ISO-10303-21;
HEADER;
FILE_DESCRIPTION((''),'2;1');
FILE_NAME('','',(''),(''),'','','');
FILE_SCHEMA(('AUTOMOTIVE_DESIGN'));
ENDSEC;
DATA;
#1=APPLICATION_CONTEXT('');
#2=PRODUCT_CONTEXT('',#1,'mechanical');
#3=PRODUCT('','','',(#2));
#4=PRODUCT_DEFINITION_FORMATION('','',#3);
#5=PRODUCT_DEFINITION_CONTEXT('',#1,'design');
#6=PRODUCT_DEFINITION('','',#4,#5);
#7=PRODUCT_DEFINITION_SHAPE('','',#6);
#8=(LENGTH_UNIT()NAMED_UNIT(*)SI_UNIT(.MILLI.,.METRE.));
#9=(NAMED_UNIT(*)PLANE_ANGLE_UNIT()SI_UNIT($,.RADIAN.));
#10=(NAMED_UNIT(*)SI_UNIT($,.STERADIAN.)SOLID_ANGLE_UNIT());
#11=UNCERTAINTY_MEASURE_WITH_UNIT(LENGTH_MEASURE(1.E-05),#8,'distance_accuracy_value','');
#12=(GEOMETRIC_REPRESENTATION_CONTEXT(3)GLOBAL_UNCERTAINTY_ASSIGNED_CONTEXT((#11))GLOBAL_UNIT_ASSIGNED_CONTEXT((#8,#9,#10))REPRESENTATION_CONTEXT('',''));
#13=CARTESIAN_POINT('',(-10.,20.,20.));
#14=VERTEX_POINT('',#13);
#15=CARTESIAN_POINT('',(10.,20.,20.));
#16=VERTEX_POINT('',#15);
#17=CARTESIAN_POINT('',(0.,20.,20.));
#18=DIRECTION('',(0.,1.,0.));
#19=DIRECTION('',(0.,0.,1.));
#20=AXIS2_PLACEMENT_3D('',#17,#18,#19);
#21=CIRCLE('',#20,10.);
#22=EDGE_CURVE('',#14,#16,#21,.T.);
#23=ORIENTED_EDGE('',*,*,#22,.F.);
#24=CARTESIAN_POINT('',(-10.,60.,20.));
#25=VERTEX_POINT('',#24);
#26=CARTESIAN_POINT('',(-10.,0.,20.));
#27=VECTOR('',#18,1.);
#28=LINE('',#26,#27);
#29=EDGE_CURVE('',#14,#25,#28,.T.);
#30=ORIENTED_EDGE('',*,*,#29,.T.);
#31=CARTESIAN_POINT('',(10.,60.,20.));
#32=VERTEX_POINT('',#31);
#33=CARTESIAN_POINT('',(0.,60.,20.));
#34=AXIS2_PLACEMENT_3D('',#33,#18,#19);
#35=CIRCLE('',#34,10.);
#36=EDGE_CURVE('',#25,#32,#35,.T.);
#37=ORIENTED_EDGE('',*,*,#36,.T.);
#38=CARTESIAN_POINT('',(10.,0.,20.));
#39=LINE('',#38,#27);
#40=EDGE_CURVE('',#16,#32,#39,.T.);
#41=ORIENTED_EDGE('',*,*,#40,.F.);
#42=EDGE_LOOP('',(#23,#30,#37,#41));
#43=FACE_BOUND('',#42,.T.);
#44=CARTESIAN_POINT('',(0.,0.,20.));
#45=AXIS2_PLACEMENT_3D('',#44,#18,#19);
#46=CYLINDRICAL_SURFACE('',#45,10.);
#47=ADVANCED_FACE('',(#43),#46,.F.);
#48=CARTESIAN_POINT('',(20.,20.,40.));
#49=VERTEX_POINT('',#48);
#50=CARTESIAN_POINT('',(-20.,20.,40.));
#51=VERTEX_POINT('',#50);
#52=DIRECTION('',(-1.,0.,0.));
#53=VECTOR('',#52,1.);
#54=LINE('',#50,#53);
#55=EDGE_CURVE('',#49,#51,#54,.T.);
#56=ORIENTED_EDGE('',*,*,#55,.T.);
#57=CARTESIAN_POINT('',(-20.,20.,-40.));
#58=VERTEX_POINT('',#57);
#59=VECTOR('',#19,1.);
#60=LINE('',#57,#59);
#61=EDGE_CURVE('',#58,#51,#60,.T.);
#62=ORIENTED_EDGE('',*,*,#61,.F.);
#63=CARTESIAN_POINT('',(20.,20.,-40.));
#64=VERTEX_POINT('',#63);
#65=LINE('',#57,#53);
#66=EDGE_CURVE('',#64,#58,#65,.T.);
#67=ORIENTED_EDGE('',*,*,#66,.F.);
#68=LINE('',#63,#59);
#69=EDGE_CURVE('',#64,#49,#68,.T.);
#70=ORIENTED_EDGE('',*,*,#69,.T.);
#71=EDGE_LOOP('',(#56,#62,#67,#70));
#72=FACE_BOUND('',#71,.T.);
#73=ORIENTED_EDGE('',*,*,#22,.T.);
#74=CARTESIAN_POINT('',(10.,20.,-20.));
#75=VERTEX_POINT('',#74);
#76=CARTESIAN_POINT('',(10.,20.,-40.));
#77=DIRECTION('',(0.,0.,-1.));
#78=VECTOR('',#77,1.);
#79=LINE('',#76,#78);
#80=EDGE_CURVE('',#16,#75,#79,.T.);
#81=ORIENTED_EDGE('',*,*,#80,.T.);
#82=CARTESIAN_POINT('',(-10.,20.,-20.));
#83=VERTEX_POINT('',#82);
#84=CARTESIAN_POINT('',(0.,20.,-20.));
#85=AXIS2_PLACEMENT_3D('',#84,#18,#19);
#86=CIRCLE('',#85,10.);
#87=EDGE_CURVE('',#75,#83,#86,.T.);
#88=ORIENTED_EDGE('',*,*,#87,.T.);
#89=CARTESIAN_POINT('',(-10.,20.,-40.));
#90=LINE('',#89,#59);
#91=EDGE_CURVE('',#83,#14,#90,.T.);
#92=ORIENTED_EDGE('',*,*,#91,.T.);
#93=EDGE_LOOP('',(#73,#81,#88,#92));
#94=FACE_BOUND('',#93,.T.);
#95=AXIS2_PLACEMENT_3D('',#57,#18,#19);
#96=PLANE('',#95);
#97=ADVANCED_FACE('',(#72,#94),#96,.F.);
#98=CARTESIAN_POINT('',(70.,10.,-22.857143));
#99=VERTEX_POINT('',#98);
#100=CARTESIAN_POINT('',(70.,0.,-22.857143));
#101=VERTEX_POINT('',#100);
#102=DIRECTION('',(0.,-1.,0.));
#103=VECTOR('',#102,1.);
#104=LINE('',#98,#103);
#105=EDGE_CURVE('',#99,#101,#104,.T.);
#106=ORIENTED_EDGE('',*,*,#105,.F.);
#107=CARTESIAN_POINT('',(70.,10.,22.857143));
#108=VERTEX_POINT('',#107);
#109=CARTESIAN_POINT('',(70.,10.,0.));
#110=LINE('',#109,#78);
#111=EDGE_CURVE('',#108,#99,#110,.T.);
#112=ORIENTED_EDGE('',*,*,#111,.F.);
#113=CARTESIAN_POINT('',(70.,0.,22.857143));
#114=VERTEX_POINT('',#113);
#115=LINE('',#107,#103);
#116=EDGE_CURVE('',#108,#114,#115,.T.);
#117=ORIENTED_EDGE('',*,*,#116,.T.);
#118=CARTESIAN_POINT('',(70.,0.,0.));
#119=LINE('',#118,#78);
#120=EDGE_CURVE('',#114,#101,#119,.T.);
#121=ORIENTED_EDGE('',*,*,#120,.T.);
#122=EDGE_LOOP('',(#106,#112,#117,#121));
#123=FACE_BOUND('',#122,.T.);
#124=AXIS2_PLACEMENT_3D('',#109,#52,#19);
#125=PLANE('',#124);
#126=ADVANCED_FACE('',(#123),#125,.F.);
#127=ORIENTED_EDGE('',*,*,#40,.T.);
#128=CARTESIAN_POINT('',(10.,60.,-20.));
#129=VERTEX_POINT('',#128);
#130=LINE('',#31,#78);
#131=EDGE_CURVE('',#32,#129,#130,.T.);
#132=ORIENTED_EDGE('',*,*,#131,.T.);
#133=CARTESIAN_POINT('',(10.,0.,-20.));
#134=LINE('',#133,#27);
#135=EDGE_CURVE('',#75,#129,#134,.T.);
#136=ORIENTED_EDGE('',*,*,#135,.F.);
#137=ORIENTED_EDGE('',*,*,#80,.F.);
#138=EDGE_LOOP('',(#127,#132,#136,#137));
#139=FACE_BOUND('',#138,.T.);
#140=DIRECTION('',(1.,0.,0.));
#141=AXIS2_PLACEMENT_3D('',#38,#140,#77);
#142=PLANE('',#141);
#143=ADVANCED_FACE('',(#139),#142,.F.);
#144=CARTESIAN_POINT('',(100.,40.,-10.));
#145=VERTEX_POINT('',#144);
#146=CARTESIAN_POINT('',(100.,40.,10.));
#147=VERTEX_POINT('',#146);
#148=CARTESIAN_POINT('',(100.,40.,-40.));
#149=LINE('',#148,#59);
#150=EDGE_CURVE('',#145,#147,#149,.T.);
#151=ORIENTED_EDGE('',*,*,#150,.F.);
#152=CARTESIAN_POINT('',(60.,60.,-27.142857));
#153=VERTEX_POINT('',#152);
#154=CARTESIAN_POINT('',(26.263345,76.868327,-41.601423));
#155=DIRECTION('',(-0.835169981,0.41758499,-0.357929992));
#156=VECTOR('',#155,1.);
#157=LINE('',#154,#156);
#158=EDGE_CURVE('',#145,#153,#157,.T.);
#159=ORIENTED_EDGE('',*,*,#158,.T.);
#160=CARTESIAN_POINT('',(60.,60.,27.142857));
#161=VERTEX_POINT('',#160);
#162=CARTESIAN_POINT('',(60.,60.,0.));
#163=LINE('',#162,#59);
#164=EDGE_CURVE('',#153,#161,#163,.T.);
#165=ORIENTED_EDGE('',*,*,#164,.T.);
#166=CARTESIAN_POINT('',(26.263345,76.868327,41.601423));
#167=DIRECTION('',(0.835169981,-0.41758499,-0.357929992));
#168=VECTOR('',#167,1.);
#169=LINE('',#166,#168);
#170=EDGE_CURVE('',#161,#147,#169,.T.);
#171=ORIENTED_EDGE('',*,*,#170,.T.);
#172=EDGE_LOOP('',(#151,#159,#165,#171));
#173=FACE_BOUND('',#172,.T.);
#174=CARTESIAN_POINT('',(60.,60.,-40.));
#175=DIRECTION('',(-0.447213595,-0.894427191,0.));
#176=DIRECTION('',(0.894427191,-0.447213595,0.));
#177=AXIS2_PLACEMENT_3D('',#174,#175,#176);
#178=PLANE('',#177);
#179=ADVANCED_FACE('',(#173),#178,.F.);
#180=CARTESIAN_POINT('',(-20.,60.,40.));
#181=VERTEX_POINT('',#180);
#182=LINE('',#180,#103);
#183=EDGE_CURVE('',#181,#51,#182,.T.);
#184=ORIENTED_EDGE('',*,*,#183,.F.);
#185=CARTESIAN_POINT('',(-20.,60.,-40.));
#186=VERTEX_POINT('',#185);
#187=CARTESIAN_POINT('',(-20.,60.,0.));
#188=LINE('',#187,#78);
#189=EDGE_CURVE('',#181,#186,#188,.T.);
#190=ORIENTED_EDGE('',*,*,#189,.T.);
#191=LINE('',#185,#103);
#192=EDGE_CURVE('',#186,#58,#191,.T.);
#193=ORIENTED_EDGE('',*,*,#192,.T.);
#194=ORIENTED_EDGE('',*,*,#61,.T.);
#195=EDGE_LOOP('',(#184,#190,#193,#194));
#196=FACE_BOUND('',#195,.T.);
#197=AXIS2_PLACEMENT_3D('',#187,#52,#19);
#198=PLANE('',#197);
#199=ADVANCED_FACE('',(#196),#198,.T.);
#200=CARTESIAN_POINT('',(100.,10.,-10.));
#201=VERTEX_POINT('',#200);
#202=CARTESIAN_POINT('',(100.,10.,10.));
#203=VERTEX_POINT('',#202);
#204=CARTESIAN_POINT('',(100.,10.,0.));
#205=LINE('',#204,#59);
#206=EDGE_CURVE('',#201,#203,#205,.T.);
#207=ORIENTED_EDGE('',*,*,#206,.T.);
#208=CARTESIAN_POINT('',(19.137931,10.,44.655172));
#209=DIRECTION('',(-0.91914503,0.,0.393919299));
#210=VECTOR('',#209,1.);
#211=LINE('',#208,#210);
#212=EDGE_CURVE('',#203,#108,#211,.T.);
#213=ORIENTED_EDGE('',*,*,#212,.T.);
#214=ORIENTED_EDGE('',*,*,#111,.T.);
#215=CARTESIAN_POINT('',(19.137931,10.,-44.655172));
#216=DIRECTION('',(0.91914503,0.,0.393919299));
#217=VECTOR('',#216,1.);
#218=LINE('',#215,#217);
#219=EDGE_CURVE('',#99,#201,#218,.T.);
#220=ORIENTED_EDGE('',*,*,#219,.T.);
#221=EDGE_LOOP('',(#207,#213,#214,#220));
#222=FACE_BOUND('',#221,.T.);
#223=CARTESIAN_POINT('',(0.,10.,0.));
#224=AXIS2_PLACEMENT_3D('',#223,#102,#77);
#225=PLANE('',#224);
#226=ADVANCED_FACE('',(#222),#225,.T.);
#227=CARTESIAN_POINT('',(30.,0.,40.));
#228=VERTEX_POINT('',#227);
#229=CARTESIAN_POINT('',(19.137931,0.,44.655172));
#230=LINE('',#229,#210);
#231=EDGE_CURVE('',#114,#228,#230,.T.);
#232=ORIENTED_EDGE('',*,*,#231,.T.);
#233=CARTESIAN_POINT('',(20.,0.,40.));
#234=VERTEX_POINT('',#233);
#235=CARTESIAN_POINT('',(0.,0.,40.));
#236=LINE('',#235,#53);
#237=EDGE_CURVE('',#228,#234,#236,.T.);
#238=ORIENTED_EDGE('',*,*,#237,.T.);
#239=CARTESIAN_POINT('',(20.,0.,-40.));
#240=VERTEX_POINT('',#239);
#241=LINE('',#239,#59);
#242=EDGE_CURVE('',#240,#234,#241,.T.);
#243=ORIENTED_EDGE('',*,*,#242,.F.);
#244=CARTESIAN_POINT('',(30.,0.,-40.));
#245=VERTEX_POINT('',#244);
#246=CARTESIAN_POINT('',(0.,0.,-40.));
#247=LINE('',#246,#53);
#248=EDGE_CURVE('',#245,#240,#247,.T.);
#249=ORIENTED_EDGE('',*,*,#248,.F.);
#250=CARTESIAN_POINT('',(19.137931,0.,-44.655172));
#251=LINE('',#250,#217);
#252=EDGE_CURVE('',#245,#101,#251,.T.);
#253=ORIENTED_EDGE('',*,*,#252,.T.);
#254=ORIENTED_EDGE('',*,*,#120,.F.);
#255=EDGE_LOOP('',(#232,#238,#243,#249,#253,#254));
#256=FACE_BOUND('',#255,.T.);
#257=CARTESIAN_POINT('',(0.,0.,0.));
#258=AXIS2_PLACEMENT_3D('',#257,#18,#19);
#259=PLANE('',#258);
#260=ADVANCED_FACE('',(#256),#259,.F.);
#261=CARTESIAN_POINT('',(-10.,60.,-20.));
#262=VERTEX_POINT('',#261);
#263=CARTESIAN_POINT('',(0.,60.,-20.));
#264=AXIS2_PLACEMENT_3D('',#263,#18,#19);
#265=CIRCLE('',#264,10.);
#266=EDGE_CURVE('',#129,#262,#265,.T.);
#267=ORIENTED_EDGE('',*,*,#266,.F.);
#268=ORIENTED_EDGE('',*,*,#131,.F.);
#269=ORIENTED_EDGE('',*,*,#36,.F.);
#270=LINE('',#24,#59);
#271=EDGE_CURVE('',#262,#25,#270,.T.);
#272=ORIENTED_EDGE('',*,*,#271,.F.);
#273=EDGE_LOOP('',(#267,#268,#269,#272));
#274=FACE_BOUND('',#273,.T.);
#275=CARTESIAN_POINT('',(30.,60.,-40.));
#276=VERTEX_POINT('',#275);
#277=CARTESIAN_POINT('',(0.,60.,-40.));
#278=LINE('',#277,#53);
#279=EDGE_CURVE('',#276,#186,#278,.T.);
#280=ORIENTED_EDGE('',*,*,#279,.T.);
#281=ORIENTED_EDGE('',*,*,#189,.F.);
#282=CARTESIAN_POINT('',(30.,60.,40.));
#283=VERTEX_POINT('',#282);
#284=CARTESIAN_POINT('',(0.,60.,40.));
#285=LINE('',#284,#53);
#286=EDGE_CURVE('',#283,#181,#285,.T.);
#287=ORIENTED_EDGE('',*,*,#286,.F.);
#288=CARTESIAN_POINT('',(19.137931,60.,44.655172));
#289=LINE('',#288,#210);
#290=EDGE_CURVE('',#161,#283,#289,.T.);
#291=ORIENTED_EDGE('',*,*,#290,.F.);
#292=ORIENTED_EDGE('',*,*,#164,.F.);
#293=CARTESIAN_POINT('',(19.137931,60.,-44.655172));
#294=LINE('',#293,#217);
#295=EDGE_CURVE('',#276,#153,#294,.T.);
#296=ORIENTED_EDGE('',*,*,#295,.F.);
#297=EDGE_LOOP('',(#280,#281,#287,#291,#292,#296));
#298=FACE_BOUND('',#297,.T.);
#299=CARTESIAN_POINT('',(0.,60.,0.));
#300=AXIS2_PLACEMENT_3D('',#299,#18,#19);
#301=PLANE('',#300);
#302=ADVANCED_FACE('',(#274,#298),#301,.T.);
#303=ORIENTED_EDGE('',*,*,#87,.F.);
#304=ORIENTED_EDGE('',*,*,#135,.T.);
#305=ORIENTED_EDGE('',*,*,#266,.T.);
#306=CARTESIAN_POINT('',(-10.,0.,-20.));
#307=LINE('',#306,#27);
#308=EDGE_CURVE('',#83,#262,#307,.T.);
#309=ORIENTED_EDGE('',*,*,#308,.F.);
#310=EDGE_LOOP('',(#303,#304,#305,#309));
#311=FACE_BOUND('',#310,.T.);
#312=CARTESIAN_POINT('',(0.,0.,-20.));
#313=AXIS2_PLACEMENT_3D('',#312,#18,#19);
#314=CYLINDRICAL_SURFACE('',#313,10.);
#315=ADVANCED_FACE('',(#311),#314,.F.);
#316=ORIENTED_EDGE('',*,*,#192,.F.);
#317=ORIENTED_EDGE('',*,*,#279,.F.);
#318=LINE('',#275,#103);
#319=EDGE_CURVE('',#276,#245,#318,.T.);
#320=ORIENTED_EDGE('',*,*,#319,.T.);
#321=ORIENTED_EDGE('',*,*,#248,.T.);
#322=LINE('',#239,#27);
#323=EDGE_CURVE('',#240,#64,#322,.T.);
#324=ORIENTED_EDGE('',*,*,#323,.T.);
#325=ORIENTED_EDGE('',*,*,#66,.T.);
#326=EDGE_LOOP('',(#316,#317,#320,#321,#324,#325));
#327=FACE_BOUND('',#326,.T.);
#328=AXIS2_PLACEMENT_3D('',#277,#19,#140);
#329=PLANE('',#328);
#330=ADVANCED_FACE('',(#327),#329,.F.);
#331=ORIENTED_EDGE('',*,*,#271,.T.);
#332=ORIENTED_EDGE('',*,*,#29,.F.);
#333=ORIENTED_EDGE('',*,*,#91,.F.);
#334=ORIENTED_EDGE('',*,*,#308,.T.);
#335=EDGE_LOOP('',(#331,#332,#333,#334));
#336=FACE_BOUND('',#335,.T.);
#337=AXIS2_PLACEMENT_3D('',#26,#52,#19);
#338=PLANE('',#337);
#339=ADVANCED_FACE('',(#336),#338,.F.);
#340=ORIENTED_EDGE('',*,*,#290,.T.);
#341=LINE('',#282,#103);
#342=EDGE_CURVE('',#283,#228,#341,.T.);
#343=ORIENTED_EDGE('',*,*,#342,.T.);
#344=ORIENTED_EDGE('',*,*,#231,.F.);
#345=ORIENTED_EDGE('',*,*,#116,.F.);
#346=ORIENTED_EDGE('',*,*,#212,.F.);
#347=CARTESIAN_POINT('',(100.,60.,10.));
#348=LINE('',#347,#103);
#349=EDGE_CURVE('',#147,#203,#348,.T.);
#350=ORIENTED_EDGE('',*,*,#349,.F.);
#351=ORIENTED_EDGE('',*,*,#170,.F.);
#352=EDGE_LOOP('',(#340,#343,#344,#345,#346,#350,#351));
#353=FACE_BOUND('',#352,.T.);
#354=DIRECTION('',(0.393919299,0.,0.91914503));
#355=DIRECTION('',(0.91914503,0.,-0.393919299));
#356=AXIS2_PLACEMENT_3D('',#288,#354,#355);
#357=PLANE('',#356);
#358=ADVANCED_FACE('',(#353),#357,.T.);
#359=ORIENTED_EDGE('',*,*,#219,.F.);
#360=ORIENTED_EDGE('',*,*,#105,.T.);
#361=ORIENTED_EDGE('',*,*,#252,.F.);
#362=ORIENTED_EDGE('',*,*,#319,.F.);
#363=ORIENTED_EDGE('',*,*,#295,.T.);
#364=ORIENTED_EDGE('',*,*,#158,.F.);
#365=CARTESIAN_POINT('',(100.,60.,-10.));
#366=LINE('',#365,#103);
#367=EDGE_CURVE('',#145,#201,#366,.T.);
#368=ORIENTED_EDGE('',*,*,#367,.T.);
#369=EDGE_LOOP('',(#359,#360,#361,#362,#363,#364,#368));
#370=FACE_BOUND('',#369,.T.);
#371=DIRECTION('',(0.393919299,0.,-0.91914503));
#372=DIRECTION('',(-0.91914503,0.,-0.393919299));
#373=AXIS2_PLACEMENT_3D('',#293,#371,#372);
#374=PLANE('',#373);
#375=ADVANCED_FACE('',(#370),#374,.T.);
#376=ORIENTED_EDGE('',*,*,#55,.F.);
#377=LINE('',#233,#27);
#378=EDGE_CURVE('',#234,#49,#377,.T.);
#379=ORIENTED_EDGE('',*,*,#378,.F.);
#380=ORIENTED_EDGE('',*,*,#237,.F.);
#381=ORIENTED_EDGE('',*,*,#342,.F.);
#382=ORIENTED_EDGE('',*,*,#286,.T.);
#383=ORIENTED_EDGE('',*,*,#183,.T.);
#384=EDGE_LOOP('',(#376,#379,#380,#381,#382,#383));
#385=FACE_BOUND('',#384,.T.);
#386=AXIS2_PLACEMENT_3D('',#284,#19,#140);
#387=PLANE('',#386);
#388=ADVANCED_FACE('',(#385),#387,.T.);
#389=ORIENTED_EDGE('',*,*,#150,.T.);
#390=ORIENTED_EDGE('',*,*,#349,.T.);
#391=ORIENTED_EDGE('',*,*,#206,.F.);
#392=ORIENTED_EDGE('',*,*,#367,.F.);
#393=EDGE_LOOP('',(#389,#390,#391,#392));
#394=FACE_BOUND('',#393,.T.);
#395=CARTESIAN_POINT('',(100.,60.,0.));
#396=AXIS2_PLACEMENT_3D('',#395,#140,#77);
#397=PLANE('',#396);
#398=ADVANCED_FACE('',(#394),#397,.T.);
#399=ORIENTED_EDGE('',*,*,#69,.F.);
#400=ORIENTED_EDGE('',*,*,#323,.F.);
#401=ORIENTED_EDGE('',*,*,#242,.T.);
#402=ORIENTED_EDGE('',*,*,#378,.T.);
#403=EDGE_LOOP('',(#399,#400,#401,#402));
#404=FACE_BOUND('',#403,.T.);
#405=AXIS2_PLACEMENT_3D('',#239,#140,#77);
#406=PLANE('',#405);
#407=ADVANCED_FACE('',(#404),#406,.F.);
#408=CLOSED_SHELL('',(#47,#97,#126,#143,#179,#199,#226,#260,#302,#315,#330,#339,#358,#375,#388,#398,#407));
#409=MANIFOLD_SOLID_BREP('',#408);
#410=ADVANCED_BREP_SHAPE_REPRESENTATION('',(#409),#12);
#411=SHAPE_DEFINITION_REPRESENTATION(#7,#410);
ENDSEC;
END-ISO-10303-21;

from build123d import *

# Parameters (mm, degrees)
SKETCH1_W           = 40
SKETCH1_H           = 80
SKETCH1_W_2         = 10
BOSS_EXTRUDE1_DEPTH = 60
SKETCH2_W           = 40
SKETCH2_H           = 20
CUT_EXTRUDE1_DEPTH  = 81
CUT_EXTRUDE2_DEPTH  = 10
CUT_EXTRUDE3_DEPTH  = 61
CUT_EXTRUDE4_DEPTH  = 81


with BuildPart() as part:
    # Sketch1 → Boss-Extrude1 (new body)
    with BuildSketch(Plane(origin=(0, 0, 0), x_dir=(1, 0, 0), z_dir=(0, 1, 0))):
        Rectangle(SKETCH1_W, SKETCH1_H)
        Polygon((100, -10), (30, -40), (30, 40), (100, 10), align=None)
        with Locations((25, 0)):
            Rectangle(SKETCH1_W_2, SKETCH1_H)
    extrude(amount=BOSS_EXTRUDE1_DEPTH)

    # Sketch2 → Cut-Extrude1 (cut, through all)
    with BuildSketch(Plane.XY.offset(40)):
        with Locations((0, 10)):
            Rectangle(SKETCH2_W, SKETCH2_H)
    extrude(amount=-CUT_EXTRUDE1_DEPTH, mode=Mode.SUBTRACT)

    # Sketch3 → Cut-Extrude2 (cut)
    with BuildSketch(Plane.XZ):
        Polygon((70, 0), (100, 0), (100, 10), (70, 22.857142857), align=None)
        Polygon((100, -10), (100, 0), (70, 0), (70, -22.857142857), align=None)
    extrude(amount=-CUT_EXTRUDE2_DEPTH, mode=Mode.SUBTRACT)

    # Sketch5 → Cut-Extrude3 (cut, through all)
    with BuildSketch(Plane(origin=(0, 60, 0), x_dir=(1, 0, 0), z_dir=(0, 1, 0))):
        with BuildLine():
            Line((-10, -20), (-10, 20))
            ThreePointArc((-10, 20), (0, 30), (10, 20))
            Line((10, 20), (10, -20))
            ThreePointArc((10, -20), (0, -30), (-10, -20))
        make_face()
    extrude(amount=-CUT_EXTRUDE3_DEPTH, mode=Mode.SUBTRACT)

    # Sketch6 → Cut-Extrude4 (cut, through all)
    with BuildSketch(Plane.XY.offset(40)):
        Polygon((60, 60), (100, 60), (100, 40), align=None)
    extrude(amount=-CUT_EXTRUDE4_DEPTH, mode=Mode.SUBTRACT)


solid = part.part
